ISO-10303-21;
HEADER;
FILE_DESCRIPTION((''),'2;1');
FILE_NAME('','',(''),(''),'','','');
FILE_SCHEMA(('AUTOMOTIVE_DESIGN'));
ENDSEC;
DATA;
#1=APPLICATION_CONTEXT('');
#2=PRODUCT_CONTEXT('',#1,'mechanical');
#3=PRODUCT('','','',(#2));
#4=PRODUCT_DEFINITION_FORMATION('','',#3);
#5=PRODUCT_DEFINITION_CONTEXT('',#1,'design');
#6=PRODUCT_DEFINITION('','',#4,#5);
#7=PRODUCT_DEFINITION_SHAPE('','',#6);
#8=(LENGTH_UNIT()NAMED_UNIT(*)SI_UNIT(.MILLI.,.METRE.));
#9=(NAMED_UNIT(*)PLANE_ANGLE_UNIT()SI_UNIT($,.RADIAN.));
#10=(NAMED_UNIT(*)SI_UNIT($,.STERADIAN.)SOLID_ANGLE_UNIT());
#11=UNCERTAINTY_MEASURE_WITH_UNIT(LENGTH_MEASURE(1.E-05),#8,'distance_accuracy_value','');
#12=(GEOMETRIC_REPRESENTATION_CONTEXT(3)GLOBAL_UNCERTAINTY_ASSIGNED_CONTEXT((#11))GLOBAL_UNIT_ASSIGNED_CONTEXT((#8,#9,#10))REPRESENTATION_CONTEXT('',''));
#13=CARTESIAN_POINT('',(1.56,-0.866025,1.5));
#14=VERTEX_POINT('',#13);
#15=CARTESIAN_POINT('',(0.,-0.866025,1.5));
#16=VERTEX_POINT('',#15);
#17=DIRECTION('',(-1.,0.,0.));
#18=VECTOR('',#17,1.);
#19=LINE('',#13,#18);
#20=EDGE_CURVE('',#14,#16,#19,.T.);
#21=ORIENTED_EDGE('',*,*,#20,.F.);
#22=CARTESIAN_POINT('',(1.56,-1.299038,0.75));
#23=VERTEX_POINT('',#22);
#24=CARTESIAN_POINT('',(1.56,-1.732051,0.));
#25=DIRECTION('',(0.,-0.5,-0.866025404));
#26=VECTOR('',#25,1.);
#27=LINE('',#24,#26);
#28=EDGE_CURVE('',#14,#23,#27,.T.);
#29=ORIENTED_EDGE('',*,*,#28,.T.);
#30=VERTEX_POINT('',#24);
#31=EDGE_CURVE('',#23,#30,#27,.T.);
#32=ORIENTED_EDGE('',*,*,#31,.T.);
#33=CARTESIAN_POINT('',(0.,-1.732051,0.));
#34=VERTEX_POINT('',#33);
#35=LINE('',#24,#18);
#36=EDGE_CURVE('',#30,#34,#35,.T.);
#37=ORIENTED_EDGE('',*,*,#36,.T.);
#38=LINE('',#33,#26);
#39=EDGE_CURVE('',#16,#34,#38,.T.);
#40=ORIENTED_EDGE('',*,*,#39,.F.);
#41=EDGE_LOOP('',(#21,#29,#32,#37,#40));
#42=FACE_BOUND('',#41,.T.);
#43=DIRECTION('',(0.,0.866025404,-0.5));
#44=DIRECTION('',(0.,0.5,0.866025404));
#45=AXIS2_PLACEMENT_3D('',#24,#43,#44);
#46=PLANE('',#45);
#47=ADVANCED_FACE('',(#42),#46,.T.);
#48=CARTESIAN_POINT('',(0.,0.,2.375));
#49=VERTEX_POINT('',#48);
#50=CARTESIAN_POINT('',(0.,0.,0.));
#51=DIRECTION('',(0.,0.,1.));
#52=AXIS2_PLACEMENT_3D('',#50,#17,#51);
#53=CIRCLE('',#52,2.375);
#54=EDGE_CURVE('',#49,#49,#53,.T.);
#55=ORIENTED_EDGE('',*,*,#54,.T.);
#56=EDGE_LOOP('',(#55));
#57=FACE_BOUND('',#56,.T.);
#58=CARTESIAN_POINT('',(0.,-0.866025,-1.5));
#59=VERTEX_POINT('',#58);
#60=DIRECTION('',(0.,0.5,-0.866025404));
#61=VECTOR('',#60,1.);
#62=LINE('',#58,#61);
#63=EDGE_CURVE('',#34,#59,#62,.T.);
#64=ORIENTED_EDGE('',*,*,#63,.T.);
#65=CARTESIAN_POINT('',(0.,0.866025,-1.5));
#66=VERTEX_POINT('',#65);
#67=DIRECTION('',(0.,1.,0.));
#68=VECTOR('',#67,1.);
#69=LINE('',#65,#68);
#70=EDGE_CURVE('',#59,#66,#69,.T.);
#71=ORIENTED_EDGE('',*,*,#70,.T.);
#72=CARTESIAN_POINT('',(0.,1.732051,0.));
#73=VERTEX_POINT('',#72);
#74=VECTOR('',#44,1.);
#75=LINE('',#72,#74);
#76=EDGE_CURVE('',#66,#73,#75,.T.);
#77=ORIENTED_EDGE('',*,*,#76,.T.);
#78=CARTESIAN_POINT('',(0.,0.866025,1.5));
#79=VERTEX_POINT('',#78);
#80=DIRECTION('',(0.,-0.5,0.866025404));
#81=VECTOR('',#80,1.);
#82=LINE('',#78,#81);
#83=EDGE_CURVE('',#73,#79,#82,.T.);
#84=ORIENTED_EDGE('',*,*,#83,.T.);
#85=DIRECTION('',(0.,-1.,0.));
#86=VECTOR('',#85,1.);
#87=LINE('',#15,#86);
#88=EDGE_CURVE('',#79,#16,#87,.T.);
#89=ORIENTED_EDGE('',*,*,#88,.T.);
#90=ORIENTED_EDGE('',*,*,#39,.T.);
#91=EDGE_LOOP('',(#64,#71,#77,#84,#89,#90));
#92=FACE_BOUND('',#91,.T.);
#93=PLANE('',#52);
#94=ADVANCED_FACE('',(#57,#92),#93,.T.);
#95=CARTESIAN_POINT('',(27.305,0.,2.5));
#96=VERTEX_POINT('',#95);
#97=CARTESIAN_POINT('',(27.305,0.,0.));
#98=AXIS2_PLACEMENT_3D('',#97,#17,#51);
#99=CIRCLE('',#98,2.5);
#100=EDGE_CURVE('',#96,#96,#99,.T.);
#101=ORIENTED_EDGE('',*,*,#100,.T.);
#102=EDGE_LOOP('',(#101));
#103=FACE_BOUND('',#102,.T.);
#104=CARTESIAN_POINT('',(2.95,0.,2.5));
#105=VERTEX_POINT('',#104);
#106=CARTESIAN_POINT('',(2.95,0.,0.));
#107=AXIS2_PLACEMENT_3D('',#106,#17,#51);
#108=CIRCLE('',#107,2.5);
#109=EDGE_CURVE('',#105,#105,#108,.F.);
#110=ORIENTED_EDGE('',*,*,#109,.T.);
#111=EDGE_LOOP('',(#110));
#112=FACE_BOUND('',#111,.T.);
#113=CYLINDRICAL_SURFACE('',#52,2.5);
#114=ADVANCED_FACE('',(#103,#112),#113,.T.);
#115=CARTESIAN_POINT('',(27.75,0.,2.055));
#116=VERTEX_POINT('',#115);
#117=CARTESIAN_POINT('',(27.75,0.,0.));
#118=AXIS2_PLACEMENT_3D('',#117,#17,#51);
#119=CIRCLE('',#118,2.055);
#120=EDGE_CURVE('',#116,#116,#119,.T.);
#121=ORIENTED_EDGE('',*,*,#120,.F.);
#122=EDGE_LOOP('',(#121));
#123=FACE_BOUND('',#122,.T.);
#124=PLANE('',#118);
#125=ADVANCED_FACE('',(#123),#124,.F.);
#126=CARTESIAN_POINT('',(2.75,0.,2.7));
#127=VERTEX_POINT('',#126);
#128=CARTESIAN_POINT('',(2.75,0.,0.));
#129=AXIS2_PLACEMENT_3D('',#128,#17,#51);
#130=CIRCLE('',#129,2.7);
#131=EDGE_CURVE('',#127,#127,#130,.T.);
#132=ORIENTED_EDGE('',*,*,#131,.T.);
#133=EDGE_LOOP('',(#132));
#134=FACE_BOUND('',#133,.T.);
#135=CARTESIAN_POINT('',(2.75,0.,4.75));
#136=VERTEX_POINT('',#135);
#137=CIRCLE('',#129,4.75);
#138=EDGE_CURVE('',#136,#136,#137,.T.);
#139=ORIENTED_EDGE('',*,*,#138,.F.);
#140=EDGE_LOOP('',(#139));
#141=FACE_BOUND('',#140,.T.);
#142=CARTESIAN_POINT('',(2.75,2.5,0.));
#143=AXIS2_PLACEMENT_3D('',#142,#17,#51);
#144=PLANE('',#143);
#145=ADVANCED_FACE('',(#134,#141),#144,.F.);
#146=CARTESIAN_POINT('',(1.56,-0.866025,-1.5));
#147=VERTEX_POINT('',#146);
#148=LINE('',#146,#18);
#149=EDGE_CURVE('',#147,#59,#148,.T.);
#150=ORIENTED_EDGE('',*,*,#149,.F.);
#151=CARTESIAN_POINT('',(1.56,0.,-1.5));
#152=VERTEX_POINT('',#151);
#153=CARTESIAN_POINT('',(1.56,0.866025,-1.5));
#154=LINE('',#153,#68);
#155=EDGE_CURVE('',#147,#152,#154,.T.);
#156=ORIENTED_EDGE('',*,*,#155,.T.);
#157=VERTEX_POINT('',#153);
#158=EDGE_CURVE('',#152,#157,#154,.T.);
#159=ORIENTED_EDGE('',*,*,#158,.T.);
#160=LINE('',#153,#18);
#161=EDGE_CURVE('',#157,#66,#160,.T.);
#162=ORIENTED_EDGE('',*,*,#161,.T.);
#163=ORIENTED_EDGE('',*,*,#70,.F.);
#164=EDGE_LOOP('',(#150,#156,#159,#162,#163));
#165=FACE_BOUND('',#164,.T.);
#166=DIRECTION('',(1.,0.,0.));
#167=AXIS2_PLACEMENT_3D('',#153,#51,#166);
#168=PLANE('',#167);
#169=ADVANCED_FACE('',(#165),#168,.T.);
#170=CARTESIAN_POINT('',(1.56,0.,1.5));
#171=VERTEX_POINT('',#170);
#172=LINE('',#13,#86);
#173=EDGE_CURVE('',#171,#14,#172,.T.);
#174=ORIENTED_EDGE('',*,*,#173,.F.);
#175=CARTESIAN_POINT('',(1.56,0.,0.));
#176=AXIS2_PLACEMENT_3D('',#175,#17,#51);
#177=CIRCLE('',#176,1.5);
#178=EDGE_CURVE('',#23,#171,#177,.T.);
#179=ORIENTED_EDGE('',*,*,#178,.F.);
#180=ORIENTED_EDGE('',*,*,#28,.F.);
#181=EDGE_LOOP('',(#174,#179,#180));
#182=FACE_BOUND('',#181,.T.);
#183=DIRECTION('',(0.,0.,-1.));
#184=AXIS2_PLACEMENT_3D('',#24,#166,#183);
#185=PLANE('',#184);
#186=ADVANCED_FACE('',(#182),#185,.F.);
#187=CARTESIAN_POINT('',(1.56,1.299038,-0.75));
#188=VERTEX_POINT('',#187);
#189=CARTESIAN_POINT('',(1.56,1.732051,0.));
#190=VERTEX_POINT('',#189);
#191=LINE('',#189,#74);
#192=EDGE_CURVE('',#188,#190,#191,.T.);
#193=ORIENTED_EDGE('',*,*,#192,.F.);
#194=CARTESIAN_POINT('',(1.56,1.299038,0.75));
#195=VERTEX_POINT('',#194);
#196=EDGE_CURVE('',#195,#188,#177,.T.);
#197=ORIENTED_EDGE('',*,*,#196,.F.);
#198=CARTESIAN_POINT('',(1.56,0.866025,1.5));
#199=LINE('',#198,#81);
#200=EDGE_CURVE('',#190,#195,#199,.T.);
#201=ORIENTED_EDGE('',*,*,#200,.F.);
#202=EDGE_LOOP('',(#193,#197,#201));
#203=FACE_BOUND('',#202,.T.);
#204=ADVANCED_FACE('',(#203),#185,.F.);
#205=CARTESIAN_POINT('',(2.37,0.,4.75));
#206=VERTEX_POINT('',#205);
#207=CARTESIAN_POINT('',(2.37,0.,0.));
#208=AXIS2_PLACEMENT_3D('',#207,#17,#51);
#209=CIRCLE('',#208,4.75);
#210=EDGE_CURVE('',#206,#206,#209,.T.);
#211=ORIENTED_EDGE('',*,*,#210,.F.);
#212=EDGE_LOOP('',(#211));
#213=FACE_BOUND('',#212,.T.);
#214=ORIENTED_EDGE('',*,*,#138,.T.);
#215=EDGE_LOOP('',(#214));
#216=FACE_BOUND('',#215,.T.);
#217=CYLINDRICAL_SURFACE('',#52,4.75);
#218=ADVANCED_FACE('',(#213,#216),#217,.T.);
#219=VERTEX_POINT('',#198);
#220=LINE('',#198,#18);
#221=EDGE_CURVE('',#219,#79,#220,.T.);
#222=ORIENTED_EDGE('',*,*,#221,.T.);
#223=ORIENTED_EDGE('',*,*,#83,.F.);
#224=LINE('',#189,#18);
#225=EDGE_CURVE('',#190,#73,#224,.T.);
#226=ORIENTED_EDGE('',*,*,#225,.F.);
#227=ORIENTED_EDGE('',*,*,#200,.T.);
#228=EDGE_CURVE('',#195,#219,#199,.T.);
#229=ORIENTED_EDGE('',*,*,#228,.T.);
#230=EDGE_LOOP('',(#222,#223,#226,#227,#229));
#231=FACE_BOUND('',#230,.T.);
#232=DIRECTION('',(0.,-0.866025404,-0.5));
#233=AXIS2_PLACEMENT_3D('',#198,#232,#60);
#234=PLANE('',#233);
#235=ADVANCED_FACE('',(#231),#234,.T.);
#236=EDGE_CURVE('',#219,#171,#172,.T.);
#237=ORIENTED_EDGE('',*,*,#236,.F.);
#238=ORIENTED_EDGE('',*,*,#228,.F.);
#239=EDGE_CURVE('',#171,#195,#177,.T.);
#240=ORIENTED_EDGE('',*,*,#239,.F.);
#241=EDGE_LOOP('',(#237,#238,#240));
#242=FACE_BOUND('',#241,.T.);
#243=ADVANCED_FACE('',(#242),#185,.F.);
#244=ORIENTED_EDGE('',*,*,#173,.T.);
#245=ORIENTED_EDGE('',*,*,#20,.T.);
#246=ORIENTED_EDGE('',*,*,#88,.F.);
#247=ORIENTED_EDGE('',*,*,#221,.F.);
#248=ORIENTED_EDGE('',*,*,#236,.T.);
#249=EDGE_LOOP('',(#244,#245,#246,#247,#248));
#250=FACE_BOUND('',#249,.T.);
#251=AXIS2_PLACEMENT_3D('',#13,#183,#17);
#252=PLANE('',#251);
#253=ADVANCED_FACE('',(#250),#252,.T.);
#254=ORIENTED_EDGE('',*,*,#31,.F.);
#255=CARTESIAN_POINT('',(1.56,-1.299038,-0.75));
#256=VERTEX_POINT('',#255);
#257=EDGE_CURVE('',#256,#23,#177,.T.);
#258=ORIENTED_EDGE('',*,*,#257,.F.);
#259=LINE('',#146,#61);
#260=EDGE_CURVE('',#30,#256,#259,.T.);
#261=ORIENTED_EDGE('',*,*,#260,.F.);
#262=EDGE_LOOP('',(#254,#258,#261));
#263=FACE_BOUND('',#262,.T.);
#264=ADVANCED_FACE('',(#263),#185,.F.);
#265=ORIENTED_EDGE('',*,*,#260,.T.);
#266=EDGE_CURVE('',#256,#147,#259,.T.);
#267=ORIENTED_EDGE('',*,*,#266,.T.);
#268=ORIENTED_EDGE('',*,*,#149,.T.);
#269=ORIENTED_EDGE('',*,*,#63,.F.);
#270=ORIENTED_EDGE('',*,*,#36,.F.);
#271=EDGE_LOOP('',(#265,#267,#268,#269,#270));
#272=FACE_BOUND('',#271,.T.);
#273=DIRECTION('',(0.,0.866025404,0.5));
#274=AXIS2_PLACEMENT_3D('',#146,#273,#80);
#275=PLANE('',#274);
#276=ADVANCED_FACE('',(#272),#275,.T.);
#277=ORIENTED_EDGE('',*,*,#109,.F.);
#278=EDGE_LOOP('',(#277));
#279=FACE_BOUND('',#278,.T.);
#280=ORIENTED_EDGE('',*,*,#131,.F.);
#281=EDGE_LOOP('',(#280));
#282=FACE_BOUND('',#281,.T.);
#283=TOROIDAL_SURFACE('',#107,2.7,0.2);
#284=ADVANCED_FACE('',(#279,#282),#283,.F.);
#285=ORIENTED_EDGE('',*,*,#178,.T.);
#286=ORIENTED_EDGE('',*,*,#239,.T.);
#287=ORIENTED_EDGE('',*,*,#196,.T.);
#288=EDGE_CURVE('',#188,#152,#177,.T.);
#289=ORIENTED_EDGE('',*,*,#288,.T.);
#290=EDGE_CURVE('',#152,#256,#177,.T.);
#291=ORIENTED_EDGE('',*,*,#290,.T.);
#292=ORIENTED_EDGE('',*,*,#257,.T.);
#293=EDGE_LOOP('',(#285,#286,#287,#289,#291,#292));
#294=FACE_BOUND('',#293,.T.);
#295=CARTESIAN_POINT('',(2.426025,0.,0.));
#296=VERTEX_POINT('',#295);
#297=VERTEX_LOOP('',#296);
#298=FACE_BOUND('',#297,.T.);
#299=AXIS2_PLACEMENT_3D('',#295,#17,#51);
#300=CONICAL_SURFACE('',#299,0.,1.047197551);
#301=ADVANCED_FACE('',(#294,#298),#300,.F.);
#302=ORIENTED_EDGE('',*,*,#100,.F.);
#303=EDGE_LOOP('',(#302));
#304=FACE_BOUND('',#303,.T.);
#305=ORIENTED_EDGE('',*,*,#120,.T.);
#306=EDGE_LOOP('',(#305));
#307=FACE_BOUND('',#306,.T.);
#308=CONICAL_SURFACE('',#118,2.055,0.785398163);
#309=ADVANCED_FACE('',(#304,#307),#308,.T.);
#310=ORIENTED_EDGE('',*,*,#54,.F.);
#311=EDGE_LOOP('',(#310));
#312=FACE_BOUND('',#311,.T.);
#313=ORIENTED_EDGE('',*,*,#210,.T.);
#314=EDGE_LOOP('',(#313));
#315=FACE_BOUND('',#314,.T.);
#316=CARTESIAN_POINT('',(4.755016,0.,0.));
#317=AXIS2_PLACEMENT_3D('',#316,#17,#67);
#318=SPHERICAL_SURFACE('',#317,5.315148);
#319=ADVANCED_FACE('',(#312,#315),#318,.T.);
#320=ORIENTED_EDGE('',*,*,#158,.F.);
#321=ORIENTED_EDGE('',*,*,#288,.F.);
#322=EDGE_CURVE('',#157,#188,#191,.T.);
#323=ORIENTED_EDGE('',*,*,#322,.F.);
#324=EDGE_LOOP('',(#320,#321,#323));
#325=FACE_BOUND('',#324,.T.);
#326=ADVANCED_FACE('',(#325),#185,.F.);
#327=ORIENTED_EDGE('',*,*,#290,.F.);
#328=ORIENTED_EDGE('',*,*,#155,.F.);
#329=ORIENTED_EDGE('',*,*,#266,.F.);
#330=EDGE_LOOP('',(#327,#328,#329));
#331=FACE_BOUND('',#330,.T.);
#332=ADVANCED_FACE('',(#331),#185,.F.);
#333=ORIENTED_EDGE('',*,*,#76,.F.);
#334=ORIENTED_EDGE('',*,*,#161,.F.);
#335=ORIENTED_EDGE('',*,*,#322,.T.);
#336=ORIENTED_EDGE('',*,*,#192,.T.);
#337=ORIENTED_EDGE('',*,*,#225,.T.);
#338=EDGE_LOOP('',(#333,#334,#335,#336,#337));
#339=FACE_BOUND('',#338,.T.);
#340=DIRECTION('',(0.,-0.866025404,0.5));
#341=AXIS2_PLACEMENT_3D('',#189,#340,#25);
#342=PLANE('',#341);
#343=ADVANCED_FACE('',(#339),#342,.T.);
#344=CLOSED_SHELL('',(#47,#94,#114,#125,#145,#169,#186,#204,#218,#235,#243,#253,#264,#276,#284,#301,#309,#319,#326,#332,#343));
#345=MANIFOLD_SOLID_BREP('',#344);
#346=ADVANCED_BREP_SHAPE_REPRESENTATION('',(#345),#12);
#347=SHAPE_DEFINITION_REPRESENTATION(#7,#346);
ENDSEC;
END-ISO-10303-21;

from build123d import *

# Parameters (mm, degrees)
FILLET1_R   = 0.2
HEX_2_DEPTH = 1.56


with BuildPart() as part:
    # BodySke → BaseBody (revolve)
    with BuildSketch(Plane.XY):
        with BuildLine():
            Line((27.75, 0), (27.75, 2.055))
            Line((27.75, 2.055), (27.305, 2.5))
            Line((27.305, 2.5), (2.75, 2.5))
            Line((2.75, 2.5), (2.75, 4.75))
            Line((2.75, 4.75), (2.37, 4.75))
            ThreePointArc((2.37, 4.75), (0.992680215, 3.754414901), (0, 2.375))
            Line((0, 2.375), (0, 0))
            Line((0, 0), (27.75, 0))
        make_face()
    revolve(axis=Axis((0, 0, 0), (1, 0, 0)))

    # Fillet1
    fillet1_edges = [part.edges().sort_by_distance(p)[0] for p in [
        (2.75, -2.5, 0),
    ]]
    fillet(fillet1_edges, radius=FILLET1_R)

    # Sketch2 → PreBroach (revolve, cut)
    with BuildSketch(Plane.XY):
        Polygon((0, 1.5), (1.56, 1.5), (2.426025404, 0), (0, 0), align=None)
    revolve(axis=Axis((0, 0, 0), (1, 0, 0)), mode=Mode.SUBTRACT)

    # Sketch3 → Hex 2 (cut)
    with BuildSketch(Plane(origin=(0, 0, 0), x_dir=(0, 0, -1), z_dir=(1, 0, 0))):
        Polygon((-1.5, -0.866025404), (-1.5, 0.866025404), (0, 1.732050808), (1.5, 0.866025404), (1.5, -0.866025404), (0, -1.732050808), align=None)
    extrude(amount=HEX_2_DEPTH, mode=Mode.SUBTRACT)


solid = part.part
